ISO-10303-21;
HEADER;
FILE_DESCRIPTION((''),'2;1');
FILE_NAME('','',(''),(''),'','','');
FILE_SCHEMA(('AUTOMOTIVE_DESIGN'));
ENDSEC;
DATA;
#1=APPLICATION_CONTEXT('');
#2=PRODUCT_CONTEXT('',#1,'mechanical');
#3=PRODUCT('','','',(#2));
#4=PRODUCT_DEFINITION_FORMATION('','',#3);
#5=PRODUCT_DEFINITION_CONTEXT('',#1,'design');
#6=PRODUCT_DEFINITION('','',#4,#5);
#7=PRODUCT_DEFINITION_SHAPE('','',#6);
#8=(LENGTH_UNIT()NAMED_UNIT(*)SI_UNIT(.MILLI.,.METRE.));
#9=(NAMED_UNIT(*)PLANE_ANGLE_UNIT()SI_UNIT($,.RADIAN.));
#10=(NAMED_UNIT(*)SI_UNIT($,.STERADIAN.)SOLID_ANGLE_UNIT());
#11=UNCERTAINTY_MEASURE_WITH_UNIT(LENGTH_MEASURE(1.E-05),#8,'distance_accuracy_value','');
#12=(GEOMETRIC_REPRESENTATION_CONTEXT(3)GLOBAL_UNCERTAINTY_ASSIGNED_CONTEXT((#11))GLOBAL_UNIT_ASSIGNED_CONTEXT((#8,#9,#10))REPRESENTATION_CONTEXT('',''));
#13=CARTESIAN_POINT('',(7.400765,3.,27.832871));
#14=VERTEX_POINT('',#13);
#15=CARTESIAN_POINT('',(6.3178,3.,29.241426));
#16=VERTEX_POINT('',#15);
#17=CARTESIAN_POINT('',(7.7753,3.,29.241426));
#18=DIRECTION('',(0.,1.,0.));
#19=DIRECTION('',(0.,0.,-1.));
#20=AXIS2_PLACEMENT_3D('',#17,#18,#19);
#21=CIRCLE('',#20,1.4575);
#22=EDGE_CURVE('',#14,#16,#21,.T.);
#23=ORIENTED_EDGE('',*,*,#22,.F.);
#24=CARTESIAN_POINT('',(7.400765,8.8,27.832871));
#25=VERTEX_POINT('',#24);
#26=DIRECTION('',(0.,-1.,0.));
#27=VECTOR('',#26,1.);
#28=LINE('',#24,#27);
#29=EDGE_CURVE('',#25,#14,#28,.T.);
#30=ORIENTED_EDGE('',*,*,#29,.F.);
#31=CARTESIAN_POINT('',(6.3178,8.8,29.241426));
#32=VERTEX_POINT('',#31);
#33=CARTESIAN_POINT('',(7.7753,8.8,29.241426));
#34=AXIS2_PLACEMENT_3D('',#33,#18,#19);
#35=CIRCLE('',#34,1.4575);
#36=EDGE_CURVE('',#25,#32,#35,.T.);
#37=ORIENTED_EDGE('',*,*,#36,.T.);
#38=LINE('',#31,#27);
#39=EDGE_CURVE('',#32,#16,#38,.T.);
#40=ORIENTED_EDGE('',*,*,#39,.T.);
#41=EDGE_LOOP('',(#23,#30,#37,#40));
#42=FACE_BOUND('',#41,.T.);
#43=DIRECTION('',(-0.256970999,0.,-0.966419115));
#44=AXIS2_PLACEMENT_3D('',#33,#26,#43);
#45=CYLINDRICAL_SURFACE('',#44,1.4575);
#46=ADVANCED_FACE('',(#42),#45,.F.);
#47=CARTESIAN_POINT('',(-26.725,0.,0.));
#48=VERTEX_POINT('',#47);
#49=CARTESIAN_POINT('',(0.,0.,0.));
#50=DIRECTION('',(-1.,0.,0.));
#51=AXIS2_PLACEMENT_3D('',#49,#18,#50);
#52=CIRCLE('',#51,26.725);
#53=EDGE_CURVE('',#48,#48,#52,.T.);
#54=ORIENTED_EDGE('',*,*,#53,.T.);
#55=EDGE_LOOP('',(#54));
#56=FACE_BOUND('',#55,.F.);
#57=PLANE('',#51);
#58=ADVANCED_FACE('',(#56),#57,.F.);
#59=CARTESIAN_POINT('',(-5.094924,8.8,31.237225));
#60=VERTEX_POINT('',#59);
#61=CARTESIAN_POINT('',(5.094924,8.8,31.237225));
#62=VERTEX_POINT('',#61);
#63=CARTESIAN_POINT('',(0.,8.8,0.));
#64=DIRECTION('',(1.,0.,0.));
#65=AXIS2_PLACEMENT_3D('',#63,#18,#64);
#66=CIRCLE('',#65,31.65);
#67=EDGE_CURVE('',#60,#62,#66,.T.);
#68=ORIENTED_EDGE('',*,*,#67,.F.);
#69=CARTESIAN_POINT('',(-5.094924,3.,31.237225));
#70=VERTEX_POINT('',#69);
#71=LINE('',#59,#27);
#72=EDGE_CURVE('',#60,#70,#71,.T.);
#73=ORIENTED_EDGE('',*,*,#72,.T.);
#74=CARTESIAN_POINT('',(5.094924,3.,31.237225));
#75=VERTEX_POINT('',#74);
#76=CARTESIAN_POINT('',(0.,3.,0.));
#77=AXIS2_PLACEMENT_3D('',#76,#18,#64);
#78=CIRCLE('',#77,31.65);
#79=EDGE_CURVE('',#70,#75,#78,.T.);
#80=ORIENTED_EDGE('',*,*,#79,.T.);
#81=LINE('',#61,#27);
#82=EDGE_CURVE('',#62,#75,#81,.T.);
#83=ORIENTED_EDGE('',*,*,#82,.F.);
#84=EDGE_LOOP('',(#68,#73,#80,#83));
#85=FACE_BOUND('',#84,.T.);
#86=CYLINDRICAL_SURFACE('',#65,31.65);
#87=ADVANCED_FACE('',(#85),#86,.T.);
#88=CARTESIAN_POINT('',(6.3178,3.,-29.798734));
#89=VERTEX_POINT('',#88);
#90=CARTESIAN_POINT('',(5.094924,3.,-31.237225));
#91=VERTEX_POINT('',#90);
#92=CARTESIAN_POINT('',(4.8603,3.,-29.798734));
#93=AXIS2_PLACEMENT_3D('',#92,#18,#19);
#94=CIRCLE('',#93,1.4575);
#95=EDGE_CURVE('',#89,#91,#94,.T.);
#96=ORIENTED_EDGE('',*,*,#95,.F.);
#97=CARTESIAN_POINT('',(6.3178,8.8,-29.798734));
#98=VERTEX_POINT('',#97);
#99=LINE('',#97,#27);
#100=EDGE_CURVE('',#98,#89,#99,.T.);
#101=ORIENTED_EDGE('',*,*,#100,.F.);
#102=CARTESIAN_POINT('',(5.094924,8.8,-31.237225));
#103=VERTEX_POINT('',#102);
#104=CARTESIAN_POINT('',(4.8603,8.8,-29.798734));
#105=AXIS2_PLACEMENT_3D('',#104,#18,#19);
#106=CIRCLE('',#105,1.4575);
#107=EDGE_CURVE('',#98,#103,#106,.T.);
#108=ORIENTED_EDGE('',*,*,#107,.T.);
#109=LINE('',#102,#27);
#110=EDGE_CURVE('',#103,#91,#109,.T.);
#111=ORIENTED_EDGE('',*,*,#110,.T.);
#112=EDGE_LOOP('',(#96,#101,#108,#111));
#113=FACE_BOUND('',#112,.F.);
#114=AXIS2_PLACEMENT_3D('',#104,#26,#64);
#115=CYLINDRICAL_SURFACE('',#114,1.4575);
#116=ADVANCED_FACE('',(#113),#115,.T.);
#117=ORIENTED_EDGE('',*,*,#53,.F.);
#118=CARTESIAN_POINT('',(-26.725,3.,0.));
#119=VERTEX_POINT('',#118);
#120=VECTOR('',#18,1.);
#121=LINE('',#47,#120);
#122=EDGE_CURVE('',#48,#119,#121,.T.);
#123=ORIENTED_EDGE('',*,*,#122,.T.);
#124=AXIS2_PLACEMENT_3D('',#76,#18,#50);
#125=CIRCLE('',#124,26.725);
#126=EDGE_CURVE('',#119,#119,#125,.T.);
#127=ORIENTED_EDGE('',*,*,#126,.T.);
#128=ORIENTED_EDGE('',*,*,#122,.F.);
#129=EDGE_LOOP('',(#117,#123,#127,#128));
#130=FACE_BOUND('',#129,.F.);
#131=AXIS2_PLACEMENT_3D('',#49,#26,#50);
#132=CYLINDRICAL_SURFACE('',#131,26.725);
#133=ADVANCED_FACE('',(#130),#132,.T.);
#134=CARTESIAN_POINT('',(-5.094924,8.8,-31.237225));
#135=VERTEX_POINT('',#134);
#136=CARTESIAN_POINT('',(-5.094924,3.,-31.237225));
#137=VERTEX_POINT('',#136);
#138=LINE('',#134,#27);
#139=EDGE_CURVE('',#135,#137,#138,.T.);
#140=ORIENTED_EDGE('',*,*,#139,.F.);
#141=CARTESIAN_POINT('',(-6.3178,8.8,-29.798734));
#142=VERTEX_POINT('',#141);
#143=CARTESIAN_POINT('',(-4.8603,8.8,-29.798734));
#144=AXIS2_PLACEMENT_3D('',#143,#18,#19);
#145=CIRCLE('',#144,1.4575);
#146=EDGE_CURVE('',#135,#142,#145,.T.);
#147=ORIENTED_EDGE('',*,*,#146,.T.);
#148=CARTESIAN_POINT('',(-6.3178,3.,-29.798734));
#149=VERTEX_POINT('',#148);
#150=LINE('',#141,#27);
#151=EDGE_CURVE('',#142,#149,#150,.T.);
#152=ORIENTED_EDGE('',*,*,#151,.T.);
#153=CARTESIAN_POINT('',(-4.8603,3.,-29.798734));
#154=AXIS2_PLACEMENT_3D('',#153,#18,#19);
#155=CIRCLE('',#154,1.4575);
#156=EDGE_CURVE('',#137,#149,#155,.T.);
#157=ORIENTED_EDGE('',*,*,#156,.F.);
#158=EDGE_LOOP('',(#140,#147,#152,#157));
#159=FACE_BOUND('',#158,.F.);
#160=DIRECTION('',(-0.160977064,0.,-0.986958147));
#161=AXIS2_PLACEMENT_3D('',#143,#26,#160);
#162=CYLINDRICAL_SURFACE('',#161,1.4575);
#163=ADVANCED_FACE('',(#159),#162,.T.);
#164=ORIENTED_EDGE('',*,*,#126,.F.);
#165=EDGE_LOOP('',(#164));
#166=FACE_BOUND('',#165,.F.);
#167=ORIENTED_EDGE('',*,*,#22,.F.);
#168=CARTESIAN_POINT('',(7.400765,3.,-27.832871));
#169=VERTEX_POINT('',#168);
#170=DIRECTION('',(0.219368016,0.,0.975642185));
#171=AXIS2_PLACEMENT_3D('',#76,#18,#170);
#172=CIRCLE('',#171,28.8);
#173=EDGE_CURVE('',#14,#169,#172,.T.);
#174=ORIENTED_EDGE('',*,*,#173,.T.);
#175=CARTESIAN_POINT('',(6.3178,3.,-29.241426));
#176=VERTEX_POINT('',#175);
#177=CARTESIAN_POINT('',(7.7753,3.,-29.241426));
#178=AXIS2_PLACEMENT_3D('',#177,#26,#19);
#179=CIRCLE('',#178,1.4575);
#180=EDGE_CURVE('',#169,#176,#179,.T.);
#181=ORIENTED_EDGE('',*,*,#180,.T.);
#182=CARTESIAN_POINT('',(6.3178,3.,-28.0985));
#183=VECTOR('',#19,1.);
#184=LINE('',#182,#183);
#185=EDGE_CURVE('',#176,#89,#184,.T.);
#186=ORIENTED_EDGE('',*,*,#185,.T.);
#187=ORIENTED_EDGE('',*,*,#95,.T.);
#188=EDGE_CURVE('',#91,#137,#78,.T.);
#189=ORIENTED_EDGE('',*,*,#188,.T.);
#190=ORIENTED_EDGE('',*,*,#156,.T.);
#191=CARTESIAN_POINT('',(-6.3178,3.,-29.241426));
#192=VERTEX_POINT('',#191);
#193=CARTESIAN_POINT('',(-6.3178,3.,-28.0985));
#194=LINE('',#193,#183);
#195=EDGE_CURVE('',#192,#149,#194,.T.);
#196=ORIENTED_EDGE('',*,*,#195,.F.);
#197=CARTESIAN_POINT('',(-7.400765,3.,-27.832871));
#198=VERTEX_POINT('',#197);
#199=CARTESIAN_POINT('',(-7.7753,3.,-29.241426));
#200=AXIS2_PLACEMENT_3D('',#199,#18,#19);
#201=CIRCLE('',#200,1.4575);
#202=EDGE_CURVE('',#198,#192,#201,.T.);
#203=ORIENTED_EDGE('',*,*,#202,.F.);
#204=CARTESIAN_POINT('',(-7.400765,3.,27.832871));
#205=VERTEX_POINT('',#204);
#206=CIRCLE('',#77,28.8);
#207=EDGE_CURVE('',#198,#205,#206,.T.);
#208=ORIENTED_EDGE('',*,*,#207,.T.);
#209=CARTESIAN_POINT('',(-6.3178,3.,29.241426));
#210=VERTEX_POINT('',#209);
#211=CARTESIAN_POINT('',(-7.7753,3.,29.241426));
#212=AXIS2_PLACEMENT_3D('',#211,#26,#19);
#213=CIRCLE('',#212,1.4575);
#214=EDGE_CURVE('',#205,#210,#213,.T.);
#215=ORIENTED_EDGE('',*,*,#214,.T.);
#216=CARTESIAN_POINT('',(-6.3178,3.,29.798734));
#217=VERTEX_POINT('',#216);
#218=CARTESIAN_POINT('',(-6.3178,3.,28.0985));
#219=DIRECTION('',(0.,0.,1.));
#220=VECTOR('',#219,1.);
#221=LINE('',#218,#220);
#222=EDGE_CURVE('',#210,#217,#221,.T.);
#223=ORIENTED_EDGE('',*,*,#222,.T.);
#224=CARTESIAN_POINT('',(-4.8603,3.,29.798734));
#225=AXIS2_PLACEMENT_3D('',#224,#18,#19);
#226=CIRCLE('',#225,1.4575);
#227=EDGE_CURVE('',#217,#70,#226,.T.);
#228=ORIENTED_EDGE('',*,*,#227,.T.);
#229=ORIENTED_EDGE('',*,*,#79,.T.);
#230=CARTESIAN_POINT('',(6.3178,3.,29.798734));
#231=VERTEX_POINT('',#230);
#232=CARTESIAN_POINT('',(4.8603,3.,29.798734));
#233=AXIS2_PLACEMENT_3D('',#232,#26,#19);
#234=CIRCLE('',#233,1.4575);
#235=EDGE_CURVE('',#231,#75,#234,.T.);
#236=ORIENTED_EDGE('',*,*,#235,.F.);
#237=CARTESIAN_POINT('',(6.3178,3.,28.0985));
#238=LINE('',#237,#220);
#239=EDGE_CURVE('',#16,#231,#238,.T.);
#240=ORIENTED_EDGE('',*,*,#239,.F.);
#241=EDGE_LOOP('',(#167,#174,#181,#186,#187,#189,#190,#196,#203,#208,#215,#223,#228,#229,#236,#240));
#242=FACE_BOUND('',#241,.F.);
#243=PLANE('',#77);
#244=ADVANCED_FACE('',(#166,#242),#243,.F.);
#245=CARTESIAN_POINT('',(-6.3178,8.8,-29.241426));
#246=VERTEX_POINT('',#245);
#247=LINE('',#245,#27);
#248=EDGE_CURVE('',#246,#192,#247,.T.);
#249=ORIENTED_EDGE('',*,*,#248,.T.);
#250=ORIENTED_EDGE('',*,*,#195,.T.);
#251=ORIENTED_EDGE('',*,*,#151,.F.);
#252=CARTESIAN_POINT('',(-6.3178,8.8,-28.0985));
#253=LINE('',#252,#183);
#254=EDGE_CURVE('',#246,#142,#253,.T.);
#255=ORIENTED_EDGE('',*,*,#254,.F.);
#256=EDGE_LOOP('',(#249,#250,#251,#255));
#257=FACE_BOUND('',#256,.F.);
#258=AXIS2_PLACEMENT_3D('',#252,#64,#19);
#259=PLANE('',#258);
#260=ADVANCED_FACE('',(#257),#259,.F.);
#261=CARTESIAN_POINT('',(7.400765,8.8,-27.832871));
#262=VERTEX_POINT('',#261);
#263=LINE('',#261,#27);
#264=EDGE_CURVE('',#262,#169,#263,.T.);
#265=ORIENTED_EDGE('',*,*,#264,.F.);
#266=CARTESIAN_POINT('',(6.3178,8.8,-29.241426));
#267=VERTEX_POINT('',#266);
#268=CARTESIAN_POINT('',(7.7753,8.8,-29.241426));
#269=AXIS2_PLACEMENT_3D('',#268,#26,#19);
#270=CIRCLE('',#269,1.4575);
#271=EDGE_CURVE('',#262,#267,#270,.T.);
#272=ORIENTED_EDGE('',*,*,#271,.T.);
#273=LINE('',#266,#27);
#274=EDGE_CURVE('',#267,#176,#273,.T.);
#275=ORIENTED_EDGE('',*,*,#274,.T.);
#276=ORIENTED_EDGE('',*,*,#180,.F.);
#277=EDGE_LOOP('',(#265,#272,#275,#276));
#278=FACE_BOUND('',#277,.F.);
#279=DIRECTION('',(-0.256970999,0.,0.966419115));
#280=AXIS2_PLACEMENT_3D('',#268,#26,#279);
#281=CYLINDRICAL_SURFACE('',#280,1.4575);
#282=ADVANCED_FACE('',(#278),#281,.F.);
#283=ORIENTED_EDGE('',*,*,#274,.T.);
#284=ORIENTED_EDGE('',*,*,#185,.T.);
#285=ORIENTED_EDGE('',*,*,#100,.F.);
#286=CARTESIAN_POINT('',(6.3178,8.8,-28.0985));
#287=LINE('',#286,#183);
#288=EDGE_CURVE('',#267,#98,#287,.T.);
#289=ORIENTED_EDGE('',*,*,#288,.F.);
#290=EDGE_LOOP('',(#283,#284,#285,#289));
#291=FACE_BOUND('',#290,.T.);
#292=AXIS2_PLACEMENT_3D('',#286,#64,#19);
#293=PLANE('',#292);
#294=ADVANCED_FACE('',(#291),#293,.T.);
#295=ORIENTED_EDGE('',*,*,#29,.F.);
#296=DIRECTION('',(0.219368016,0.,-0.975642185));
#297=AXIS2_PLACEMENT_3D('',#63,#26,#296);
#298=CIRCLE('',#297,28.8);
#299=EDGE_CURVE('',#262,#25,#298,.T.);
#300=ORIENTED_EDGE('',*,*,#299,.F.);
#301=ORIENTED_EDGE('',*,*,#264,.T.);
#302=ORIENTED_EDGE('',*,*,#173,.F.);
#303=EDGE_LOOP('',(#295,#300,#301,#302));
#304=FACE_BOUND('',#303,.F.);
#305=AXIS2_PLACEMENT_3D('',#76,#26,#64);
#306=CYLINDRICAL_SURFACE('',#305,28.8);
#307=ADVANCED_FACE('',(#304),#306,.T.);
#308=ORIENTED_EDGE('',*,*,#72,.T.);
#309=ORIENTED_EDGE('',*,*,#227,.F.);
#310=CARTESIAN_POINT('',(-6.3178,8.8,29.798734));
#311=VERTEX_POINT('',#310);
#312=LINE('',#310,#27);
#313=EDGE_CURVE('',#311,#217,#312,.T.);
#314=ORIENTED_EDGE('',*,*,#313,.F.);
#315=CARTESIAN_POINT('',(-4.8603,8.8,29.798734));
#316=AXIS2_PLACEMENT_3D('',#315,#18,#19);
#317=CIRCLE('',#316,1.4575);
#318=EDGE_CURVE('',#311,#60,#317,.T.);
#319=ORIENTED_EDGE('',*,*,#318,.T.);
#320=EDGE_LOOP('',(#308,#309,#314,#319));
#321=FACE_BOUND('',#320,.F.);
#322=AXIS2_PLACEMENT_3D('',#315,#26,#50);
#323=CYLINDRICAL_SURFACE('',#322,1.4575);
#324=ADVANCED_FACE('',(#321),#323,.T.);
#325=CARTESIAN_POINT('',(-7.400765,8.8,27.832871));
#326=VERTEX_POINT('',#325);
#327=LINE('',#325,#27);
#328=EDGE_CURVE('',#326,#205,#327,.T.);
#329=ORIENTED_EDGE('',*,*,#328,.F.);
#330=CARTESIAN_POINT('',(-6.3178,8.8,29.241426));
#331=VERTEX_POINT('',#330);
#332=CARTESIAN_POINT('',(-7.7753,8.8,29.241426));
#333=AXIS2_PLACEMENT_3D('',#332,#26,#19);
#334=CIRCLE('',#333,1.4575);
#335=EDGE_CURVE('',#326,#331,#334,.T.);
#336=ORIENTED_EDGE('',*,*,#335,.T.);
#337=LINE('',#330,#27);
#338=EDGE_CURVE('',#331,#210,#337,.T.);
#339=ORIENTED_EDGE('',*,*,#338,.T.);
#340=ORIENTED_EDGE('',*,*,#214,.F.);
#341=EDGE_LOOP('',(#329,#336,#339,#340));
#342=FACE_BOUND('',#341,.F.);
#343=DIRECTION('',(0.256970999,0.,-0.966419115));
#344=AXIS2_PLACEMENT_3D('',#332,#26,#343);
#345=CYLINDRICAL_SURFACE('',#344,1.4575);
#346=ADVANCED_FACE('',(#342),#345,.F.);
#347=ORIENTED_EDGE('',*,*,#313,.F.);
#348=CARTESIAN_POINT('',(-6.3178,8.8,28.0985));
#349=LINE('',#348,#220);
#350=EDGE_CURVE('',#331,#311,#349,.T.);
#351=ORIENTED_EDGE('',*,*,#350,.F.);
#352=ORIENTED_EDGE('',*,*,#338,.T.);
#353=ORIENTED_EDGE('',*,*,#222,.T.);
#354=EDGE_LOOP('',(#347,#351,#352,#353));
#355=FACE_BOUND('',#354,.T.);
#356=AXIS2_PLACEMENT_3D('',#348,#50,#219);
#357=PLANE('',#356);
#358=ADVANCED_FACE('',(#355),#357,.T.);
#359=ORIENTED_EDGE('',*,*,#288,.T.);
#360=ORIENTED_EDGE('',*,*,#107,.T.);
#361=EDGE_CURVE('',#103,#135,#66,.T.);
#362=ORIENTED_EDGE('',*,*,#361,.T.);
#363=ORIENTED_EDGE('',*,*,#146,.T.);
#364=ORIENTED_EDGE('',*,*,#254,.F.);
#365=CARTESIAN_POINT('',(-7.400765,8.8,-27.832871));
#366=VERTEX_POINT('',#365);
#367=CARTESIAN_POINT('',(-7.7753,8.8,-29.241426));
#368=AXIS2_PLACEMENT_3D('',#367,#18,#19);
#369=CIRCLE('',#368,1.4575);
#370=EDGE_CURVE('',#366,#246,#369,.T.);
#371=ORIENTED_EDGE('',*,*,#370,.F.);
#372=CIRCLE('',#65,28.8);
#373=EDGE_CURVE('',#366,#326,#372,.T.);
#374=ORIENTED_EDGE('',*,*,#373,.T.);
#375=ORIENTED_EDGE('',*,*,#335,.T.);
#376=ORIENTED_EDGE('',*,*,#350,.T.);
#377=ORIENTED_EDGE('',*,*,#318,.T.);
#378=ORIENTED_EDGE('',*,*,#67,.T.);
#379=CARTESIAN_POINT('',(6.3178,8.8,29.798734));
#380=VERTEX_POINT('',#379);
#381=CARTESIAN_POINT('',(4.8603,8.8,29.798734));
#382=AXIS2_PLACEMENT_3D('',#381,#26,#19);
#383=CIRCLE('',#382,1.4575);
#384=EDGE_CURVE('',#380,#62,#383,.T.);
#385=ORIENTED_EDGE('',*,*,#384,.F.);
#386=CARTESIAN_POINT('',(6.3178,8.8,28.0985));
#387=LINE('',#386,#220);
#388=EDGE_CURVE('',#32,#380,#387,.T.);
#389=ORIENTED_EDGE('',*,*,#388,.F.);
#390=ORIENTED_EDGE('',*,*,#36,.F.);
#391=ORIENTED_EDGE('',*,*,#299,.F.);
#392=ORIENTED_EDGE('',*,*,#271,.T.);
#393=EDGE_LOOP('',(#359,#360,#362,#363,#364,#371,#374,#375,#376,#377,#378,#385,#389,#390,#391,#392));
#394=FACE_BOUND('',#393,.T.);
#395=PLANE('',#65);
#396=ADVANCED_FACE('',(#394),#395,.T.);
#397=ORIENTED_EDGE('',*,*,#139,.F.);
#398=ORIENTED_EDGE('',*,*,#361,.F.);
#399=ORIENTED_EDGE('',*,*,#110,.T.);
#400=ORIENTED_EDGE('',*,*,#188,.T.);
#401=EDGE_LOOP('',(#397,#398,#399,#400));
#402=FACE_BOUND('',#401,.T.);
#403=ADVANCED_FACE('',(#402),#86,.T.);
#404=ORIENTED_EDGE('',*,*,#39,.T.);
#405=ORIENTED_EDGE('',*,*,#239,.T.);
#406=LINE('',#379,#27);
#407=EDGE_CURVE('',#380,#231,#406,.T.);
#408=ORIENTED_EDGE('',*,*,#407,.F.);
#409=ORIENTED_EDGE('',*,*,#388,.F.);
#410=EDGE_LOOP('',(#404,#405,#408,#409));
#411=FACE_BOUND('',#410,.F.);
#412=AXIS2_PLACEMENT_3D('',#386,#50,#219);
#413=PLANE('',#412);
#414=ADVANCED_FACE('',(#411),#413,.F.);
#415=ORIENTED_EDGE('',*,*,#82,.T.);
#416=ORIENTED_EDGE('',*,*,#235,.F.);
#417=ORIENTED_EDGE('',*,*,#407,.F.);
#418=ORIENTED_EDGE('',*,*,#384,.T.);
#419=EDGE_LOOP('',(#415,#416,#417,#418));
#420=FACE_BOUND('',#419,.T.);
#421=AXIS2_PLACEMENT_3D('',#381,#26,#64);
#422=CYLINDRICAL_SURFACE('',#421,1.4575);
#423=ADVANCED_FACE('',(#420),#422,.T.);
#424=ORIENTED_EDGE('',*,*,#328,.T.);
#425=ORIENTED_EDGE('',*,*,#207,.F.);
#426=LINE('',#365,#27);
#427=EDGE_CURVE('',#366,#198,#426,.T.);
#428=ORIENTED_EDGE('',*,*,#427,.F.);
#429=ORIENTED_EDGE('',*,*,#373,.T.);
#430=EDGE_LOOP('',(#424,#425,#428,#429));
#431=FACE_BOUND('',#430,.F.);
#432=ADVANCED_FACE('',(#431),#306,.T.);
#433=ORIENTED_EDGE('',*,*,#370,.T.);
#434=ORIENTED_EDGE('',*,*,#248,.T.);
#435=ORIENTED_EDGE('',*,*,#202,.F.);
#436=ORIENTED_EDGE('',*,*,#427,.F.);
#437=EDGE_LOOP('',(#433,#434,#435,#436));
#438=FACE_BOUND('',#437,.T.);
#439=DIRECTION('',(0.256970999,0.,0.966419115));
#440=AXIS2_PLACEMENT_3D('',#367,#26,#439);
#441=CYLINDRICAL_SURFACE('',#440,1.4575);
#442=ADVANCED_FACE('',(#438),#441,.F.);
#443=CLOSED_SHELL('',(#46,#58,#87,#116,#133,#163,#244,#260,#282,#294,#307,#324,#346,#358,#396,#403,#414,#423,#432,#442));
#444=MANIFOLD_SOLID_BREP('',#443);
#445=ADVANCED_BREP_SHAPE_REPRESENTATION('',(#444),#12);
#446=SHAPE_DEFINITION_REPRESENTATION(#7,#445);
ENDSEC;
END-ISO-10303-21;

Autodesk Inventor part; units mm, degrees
ref_plane "YZ Plane" through (0, 0, 0) normal (1, 0, 0) x (0, 1, 0)
ref_plane "XZ Plane" through (0, 0, 0) normal (0, 1, 0) x (-1, 0, 0)
ref_plane "XY Plane" through (0, 0, 0) normal (0, 0, 1) x (1, 0, 0)
sketch "Sketch1" plane through (0, 0, 0) normal (0, 1, 0) x (-1, 0, 0)
  circle A0 centre (0, 0) radius 26.725
  dimension "d0" = 53.45
extrude "Extrusion1" add sketch "Sketch1" along normal blind 3
sketch "Sketch2" plane through (0, 3, 0) normal (0, 1, 0) x (1, 0, 0)
  circle A0 centre (0, 0) radius 28.8
  dimension "d3" = 57.6
extrude "Extrusion2" add sketch "Sketch2" along normal blind 5.8
sketch "Sketch4" plane through (0, 8.8, 0) normal (0, 1, 0) x (1, 0, 0)
  circle A0 centre (0, 0) radius 31.65
  circle A1 centre (0, 0) radius 28.8
  circle A2 centre (0, 0) radius 28.8 projected
  line L0 (6.3178, -28.0985) -> (-6.3178, -28.0985)
  line L1 (-6.3178, -28.0985) -> (-6.3178, -31.013)
  line L2 (6.3178, -28.0985) -> (6.3178, -31.013)
  line L3 (-6.3178, 28.0985) -> (6.3178, 28.0985)
  line L4 (6.3178, 28.0985) -> (6.3178, 31.013)
  line L5 (-6.3178, 28.0985) -> (-6.3178, 31.013)
  dimension "d13" = 63.3
  dimension "d16" = 360
  dimension "d18" = 56.197
extrude "Extrusion3" add sketch "Sketch4" against normal up to surface (5.8 mm away) contours L4 A1 L5 A0 | A0 L1 A1 L2
fillet "Fillet1" radius 1.4575 8 edges at (-6.3178, 5.9, 28.0985) (-6.3178, 5.9, 31.013) (6.3178, 5.9, 31.013) (6.3178, 5.9, 28.0985) (6.3178, 5.9, -28.0985) (6.3178, 5.9, -31.013) (-6.3178, 5.9, -28.0985) (-6.3178, 5.9, -31.013)
properties part number "HSI cap"
